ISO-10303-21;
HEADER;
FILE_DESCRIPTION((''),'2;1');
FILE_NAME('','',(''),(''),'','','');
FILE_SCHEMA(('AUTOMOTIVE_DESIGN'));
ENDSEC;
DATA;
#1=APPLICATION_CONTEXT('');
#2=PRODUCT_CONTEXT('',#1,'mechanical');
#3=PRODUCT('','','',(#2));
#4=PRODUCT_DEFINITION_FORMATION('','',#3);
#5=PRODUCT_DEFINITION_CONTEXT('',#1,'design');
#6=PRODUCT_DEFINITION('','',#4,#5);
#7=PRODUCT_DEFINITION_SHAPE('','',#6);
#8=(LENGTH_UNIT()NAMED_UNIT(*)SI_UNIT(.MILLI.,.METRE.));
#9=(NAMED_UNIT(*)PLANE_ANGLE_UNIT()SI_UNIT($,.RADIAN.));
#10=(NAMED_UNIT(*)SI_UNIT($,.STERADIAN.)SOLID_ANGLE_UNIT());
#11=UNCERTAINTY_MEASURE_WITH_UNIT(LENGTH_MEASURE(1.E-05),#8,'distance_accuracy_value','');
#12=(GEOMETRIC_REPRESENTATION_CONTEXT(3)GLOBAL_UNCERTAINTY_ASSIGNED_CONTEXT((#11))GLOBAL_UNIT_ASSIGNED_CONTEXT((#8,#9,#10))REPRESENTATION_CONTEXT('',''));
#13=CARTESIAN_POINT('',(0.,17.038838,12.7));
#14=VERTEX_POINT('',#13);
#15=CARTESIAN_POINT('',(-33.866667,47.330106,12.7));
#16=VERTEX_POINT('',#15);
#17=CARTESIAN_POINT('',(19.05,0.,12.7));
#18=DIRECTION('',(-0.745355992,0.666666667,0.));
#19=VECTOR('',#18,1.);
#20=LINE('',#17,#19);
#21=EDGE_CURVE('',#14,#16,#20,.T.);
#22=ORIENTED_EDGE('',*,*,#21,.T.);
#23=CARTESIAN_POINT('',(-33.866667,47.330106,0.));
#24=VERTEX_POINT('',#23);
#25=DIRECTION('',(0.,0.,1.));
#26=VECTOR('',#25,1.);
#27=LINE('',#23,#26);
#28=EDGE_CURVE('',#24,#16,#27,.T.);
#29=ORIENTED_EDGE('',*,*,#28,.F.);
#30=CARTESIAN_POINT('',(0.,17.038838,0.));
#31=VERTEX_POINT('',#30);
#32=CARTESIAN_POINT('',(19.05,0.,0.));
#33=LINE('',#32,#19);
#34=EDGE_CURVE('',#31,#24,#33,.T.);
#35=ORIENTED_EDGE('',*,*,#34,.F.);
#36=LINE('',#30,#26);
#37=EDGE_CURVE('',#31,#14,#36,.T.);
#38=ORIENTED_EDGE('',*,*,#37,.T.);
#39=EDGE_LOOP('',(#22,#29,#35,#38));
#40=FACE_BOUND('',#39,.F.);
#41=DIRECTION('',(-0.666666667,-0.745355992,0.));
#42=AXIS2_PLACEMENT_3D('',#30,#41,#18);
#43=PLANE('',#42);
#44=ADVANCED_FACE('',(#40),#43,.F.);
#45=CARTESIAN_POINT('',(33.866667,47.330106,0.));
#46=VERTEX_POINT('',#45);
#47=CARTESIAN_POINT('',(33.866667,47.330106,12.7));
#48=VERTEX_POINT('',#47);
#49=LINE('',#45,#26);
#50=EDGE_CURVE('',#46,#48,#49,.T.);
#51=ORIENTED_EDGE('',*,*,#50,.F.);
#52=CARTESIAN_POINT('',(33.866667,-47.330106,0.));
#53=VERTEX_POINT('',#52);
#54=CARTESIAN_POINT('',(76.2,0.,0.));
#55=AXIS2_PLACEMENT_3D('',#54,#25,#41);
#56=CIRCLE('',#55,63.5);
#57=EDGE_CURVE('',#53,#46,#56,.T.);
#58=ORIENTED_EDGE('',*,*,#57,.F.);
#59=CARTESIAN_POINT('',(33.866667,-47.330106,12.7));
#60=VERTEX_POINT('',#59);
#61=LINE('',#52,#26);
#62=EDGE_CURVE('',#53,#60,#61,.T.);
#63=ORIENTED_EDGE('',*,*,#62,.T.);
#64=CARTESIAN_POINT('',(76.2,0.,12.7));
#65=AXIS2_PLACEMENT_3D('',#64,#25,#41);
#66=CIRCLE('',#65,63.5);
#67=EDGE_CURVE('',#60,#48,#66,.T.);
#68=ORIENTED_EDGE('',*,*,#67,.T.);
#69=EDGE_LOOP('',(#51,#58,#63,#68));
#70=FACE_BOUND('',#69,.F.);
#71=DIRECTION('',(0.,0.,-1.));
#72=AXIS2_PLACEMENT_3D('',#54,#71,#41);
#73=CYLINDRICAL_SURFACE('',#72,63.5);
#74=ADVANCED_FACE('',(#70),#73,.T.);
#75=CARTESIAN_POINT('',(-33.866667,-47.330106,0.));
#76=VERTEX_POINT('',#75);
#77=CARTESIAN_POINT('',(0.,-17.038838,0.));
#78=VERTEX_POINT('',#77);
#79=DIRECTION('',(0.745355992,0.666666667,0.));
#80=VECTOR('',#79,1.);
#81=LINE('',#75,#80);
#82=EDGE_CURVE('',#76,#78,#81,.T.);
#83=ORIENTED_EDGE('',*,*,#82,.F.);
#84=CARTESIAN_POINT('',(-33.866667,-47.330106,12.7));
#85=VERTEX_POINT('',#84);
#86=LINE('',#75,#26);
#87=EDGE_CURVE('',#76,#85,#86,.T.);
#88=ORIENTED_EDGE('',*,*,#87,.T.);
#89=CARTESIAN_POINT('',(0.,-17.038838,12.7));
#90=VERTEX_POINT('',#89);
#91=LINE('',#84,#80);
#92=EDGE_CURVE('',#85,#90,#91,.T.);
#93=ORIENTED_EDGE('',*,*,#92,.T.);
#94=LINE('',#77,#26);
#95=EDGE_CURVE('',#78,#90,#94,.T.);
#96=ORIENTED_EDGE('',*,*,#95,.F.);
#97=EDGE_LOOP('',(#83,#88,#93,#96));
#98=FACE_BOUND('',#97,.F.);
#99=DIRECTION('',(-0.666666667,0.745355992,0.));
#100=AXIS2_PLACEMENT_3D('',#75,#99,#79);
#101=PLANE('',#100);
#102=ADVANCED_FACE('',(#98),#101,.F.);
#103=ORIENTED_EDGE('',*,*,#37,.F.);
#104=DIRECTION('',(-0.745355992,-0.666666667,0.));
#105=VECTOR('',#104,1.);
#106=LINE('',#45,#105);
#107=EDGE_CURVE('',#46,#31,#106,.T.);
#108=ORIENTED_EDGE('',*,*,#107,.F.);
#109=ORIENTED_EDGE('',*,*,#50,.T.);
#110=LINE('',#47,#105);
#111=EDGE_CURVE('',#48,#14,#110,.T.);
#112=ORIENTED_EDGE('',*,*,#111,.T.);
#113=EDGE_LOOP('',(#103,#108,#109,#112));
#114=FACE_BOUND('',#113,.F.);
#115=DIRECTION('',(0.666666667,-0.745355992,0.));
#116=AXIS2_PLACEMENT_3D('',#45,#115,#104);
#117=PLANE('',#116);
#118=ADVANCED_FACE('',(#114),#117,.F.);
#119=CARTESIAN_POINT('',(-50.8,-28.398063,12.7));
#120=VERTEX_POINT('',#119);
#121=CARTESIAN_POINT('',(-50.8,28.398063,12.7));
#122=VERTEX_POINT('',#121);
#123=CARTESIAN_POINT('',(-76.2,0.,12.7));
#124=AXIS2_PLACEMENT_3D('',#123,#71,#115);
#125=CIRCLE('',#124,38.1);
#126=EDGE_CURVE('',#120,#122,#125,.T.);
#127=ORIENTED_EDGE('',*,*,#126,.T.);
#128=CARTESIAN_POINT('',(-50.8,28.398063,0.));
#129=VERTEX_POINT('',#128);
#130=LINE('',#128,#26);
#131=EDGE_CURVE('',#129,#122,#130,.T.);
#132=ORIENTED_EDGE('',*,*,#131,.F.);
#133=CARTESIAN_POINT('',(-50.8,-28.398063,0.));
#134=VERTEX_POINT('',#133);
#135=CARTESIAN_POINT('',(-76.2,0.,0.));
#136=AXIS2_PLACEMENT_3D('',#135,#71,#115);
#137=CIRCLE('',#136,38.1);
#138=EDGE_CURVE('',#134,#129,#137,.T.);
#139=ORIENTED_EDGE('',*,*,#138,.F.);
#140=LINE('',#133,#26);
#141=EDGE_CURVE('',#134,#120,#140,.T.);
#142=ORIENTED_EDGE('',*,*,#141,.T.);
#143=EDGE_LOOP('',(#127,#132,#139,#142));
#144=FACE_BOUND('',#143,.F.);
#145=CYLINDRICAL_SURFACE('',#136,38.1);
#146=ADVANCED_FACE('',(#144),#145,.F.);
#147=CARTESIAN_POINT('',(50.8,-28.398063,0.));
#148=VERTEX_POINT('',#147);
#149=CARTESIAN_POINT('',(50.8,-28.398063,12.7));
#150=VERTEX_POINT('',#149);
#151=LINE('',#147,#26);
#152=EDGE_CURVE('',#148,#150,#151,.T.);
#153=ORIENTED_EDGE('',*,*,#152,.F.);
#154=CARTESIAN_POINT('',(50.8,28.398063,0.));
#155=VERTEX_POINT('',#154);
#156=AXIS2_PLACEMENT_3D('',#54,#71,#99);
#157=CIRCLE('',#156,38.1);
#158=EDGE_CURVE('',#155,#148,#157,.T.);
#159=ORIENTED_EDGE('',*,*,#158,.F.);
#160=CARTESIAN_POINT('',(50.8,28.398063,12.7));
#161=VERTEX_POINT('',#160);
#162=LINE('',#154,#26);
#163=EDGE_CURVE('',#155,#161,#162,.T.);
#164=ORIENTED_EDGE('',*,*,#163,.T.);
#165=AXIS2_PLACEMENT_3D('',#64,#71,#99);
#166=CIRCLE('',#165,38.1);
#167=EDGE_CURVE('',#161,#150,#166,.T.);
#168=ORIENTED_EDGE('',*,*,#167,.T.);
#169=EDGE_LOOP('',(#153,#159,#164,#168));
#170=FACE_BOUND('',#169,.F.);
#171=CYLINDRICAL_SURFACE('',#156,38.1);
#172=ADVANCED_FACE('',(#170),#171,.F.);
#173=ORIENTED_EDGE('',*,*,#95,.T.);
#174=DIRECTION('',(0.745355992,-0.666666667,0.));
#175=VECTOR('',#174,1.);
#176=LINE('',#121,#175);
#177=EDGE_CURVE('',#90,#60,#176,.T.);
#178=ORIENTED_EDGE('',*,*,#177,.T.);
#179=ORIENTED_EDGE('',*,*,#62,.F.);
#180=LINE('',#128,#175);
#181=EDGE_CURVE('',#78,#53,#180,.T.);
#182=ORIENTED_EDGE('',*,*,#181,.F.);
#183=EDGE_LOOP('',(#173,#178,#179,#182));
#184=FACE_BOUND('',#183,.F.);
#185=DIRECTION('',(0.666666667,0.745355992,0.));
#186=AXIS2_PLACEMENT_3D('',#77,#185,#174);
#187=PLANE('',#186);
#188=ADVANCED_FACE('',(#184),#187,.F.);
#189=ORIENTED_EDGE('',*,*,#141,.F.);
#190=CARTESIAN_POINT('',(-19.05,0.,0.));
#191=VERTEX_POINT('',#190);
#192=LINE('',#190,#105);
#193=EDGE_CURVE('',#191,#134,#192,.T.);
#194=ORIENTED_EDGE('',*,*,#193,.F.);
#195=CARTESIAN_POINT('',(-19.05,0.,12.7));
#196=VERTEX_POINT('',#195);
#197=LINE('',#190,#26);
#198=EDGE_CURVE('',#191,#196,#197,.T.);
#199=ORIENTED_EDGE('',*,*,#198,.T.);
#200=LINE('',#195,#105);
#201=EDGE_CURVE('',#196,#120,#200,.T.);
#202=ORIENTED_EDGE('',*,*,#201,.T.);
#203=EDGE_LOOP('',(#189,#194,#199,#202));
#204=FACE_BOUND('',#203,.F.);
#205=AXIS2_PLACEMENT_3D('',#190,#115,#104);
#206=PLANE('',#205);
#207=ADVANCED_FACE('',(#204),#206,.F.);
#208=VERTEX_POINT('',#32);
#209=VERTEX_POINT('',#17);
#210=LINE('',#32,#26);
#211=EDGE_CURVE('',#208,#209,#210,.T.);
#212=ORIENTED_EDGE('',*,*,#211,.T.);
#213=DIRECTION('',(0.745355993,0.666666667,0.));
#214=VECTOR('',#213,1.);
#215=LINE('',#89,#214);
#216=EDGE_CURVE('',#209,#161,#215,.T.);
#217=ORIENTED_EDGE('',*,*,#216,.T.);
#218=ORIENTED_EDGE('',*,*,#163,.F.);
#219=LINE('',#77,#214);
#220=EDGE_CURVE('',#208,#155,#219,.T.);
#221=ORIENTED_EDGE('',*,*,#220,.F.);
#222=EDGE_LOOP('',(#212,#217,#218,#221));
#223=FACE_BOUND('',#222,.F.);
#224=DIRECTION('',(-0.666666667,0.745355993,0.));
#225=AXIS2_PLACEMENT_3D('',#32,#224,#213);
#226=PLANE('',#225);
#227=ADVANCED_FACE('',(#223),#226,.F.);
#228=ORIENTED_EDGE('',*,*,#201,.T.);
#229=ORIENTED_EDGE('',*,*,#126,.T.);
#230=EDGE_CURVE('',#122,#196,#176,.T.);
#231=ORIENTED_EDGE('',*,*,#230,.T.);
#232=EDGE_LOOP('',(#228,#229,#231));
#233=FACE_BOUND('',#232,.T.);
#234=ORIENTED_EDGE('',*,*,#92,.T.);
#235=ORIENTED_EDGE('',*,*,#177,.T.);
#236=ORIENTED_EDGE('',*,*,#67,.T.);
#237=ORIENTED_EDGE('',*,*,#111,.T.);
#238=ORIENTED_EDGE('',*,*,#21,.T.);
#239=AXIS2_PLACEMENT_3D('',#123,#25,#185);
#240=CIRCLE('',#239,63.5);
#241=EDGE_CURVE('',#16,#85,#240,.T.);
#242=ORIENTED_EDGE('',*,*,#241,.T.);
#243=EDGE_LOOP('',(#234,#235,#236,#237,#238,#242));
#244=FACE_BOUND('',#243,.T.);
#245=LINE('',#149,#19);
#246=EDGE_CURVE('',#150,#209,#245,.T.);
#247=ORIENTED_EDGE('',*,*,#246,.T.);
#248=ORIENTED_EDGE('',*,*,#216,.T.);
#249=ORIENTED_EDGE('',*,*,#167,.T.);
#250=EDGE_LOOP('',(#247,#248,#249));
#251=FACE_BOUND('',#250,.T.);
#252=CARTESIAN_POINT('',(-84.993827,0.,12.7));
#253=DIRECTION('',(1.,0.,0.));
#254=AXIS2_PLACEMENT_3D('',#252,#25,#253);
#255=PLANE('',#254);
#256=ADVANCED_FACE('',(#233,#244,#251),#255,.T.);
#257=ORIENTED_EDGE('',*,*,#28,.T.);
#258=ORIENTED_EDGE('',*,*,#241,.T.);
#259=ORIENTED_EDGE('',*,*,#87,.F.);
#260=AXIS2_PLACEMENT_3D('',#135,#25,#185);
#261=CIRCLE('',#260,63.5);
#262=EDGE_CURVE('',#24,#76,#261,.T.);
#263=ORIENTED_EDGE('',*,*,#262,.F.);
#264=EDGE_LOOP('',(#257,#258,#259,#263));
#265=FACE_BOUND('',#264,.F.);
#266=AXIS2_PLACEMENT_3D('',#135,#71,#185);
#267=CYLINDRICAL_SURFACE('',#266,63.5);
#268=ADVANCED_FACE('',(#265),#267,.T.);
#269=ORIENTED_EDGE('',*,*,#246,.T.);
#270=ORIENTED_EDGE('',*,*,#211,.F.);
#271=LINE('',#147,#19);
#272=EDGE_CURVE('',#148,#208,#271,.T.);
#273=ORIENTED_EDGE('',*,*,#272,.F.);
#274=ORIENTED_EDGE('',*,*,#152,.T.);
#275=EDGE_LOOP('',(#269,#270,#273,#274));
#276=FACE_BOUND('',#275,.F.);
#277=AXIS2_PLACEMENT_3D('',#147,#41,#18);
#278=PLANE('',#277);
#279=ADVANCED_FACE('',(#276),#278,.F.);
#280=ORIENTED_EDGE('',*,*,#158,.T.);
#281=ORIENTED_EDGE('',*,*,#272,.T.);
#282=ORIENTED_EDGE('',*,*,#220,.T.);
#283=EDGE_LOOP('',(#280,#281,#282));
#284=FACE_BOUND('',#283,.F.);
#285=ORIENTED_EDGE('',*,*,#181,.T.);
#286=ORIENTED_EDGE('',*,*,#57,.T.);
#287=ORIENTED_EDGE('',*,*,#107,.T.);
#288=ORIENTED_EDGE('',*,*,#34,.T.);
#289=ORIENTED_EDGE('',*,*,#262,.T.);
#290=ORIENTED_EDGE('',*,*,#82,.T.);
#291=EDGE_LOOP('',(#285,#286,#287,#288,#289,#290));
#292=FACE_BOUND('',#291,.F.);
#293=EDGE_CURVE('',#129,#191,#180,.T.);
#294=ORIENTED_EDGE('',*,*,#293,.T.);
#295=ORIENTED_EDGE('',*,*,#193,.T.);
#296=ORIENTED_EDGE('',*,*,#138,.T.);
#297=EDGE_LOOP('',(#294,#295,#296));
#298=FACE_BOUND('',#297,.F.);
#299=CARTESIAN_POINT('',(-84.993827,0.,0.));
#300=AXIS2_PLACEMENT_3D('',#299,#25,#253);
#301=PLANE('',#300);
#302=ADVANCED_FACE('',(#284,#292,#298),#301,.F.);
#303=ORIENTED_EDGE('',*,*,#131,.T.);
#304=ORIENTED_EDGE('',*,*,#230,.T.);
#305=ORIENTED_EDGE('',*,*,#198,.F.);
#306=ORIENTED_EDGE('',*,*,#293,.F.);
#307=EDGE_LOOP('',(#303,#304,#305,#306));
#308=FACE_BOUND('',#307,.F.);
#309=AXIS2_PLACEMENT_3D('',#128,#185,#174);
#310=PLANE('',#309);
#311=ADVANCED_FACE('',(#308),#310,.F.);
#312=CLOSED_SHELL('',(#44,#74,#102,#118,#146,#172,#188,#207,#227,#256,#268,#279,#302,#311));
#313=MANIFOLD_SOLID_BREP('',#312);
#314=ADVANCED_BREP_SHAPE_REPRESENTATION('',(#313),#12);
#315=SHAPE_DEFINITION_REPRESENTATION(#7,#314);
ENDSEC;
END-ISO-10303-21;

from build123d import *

# Parameters (mm, degrees)
F1_DEPTH = 12.7


with BuildPart() as f1:
    # F0 (on Top) → F1 (new body)
    with BuildSketch(Plane.XY):
        with BuildLine():
            ThreePointArc((-50.8, -28.3980633142), (-114.3, 0), (-50.8, 28.3980633142))
            Line((-50.8, 28.3980633142), (-33.8666666667, 47.3301055237))
            ThreePointArc((-33.8666666667, 47.3301055237), (-139.7, 0), (-33.8666666667, -47.3301055237))
            Line((-33.8666666667, -47.3301055237), (-50.8, -28.3980633142))
        make_face()
        with BuildLine():
            Line((50.8, -28.3980633142), (33.8666666667, -47.3301055237))
            ThreePointArc((33.8666666667, -47.3301055237), (139.7, 0), (33.8666666667, 47.3301055237))
            Line((33.8666666667, 47.3301055237), (50.8, 28.3980633142))
            ThreePointArc((50.8, 28.3980633142), (114.3, 0), (50.8, -28.3980633142))
        make_face()
        Polygon((0, 17.0388379885), (-19.05, 0), (0, -17.0388379885), (19.05, 0), align=None)
        Polygon((-33.8666666667, 47.3301055237), (-50.8, 28.3980633142), (-19.05, 0), (0, 17.0388379885), align=None)
        Polygon((33.8666666667, 47.3301055237), (0, 17.0388379885), (19.05, 0), (50.8, 28.3980633142), align=None)
        Polygon((19.05, 0), (0, -17.0388379885), (33.8666666667, -47.3301055237), (50.8, -28.3980633142), align=None)
        Polygon((-19.05, 0), (-50.8, -28.3980633142), (-33.8666666667, -47.3301055237), (0, -17.0388379885), align=None)
    extrude(amount=F1_DEPTH)


solid = f1.part
